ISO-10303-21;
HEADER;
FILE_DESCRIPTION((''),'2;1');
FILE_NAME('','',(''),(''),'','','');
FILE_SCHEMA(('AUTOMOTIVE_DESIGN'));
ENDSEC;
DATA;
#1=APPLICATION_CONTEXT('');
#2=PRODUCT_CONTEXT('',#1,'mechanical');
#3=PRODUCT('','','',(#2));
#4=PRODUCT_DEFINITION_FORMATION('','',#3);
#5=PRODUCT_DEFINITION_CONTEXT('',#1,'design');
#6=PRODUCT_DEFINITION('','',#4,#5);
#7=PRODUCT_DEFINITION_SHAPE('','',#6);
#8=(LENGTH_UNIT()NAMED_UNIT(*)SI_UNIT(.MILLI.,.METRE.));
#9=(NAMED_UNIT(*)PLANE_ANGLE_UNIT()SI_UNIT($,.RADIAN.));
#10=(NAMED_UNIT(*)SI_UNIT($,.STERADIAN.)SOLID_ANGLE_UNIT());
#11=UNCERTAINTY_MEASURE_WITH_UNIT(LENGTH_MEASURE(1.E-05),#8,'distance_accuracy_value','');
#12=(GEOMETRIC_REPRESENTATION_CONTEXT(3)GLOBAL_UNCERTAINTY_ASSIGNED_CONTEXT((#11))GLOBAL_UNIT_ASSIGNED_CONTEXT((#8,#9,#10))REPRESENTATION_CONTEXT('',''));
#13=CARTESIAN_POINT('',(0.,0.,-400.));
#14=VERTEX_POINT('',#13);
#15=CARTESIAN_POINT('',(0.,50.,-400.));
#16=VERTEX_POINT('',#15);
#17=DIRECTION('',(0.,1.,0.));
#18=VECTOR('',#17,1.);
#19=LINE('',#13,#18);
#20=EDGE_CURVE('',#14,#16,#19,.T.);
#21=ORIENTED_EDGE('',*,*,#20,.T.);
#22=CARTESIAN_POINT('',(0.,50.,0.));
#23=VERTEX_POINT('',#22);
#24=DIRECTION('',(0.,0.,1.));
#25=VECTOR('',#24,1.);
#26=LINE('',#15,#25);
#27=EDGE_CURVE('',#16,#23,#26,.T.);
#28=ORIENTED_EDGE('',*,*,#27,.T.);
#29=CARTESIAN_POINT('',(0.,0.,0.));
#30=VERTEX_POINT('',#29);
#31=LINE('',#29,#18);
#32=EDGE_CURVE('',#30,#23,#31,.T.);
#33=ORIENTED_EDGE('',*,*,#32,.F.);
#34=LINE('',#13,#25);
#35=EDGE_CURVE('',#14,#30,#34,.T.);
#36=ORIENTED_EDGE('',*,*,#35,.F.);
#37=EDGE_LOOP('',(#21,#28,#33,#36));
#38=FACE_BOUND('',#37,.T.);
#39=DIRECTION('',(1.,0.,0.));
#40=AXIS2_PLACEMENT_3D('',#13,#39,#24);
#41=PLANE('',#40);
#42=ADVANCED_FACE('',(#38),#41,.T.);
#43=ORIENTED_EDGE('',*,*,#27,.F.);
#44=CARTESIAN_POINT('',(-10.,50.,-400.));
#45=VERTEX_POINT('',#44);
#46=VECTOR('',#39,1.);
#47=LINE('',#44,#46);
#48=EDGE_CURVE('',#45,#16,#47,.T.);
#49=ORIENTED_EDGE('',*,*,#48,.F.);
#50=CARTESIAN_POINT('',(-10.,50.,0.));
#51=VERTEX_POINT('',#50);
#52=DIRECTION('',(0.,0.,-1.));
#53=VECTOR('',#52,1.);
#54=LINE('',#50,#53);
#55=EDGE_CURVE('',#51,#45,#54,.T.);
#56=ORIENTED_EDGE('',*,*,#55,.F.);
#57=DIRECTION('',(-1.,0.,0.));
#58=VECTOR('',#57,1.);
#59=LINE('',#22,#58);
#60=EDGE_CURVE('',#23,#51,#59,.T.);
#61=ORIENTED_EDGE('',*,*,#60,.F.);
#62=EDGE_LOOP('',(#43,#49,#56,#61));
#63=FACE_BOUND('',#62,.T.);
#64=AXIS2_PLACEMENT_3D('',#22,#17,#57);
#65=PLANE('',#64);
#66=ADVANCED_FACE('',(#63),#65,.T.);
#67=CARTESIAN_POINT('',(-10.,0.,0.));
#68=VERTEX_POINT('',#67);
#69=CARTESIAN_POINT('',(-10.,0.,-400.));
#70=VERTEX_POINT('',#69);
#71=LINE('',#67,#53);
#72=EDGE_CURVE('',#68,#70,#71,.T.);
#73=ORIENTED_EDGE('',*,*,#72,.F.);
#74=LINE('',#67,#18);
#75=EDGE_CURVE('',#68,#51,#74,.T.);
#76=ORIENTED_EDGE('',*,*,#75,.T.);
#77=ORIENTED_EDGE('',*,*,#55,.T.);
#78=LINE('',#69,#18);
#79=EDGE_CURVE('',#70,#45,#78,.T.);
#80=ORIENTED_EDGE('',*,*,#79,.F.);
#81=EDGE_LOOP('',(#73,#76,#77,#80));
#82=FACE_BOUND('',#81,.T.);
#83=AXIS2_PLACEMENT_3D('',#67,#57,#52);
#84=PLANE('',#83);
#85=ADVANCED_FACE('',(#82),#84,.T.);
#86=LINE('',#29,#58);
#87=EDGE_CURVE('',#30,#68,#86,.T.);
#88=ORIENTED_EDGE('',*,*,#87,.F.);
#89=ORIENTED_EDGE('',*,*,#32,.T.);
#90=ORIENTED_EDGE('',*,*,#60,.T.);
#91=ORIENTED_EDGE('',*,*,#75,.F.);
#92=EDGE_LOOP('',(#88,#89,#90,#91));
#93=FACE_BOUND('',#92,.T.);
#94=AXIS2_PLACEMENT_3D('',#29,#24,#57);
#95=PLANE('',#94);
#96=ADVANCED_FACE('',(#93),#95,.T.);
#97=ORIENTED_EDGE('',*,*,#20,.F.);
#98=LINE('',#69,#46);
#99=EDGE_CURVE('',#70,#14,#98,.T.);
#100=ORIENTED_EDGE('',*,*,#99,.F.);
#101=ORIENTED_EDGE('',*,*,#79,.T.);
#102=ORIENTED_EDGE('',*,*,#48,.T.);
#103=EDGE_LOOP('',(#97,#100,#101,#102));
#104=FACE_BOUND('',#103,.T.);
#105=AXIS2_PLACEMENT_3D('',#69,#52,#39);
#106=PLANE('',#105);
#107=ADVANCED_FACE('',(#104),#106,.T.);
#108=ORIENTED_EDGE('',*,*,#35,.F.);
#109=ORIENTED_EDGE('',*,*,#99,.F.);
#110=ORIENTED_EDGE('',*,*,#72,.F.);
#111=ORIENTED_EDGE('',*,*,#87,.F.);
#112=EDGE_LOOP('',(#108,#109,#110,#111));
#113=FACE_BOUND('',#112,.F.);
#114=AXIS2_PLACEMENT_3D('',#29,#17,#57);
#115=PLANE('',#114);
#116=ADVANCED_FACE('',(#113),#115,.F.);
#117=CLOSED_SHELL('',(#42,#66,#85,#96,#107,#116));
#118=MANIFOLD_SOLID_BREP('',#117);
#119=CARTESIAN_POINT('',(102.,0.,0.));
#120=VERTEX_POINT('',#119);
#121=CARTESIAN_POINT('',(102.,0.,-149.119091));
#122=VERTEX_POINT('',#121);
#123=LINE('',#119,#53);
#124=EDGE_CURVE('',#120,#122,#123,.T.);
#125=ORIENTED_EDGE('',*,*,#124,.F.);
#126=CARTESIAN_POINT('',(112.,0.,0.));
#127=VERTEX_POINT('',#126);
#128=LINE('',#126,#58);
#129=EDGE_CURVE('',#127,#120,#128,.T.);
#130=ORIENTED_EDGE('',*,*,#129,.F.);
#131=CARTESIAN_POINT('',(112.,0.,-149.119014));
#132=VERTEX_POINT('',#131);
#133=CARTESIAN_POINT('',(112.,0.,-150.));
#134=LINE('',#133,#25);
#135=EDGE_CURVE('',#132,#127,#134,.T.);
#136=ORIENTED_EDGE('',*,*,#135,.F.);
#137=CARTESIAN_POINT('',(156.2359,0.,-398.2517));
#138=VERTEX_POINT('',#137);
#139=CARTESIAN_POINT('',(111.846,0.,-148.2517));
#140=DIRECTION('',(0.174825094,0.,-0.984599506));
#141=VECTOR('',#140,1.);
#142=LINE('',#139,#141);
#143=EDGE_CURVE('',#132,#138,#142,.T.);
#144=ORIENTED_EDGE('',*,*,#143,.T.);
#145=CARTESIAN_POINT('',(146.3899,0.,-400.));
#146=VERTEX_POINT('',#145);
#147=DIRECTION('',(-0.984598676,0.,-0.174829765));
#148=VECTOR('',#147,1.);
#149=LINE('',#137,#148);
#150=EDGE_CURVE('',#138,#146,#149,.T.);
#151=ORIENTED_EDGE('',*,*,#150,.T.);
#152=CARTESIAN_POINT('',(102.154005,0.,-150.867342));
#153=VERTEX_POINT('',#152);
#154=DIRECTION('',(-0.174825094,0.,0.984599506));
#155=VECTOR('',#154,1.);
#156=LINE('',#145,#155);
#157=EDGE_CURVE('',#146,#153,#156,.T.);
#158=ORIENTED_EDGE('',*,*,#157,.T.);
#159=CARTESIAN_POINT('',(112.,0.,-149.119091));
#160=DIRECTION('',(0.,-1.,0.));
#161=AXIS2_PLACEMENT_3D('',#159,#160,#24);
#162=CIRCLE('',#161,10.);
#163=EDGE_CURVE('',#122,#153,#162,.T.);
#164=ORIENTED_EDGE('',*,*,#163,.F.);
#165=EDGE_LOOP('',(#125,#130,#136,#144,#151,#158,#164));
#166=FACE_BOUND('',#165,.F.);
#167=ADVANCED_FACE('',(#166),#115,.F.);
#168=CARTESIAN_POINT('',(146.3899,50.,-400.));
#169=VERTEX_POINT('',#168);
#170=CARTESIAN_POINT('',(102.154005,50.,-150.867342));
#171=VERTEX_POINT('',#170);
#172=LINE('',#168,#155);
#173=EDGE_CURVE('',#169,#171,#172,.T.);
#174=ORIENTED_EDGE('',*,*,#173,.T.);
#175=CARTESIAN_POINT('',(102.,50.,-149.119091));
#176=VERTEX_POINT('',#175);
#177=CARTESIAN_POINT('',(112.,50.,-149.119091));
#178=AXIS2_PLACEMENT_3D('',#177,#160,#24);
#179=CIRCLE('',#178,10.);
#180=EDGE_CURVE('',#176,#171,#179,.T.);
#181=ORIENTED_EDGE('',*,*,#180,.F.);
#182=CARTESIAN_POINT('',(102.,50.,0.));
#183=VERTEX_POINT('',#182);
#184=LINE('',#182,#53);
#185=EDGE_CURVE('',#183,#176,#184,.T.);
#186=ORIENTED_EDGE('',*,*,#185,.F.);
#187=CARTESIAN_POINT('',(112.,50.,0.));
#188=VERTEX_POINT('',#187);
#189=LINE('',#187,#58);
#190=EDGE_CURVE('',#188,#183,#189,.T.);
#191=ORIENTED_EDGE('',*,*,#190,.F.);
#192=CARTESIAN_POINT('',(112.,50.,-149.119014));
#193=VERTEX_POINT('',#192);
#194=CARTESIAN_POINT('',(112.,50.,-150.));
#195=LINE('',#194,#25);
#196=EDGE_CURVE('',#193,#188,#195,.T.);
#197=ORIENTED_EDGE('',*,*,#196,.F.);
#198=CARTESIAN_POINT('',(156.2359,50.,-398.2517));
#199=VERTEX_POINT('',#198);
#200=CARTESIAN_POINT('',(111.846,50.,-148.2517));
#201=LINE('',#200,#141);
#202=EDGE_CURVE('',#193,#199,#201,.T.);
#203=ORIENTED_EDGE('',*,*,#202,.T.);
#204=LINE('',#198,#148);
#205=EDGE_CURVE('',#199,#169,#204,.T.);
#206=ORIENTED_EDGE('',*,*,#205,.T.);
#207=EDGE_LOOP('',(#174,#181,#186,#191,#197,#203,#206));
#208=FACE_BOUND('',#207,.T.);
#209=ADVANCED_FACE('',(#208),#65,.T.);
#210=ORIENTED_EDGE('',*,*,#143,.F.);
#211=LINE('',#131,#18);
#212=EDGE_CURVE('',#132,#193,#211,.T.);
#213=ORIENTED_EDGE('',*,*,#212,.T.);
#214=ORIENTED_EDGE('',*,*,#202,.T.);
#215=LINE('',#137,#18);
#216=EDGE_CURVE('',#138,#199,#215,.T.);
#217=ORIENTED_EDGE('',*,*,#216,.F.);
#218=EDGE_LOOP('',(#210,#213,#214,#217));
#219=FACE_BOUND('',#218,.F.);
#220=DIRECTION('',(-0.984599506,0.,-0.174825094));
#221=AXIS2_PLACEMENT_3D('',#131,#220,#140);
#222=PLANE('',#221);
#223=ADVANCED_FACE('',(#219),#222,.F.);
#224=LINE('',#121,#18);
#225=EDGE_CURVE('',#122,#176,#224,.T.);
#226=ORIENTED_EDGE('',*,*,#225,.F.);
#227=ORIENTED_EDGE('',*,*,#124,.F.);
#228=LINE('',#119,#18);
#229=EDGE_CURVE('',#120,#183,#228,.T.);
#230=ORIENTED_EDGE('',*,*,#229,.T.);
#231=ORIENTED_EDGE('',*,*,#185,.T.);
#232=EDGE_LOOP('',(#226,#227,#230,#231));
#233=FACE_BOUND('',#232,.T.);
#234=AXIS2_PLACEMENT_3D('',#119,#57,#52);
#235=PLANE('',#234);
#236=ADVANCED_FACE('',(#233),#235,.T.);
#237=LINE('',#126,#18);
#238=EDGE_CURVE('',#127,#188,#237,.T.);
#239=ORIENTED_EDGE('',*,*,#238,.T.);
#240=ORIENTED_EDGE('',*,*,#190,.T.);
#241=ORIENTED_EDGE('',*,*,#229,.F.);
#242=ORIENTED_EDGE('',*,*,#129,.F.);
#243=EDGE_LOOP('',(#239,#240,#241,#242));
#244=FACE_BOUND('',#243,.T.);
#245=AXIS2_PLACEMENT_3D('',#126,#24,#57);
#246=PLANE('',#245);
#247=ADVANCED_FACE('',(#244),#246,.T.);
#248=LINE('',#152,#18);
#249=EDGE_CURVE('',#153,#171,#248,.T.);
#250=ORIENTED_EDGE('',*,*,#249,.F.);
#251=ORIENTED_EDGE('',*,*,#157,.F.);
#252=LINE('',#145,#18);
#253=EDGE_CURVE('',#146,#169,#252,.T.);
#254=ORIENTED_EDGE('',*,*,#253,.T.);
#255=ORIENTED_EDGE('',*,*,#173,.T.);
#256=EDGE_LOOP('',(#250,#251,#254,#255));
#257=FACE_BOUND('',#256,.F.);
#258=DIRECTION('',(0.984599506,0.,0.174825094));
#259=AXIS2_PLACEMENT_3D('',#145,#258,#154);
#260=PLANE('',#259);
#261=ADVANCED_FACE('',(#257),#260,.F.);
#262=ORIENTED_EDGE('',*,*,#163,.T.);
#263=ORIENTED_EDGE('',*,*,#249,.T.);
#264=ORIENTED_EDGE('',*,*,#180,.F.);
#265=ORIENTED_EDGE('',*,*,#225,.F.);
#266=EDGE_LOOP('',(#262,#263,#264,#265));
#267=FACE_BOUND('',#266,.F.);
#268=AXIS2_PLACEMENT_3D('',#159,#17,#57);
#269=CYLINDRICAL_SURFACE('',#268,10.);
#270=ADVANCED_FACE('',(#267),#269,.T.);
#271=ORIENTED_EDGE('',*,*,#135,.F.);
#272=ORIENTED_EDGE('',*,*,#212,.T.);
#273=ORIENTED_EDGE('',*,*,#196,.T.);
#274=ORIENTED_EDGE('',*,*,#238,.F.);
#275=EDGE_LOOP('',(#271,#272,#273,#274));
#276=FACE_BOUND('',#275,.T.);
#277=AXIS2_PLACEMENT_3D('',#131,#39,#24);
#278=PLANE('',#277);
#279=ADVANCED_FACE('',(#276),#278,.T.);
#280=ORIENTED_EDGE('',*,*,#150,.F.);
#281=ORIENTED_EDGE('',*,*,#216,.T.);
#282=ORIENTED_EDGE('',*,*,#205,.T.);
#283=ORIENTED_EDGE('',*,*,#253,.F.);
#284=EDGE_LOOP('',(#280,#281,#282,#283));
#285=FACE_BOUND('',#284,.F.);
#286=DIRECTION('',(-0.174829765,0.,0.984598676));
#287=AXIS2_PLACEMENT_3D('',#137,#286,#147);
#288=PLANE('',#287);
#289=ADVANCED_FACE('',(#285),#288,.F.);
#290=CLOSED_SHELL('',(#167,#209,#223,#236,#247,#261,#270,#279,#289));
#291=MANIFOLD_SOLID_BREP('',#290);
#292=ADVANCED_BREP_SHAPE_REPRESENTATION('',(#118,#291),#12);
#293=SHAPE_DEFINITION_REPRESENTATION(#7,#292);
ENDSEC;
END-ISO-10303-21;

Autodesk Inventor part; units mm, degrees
ref_plane "YZ Plane" through (0, 0, 0) normal (1, 0, 0) x (0, 1, 0)
ref_plane "XZ Plane" through (0, 0, 0) normal (0, 1, 0) x (-1, 0, 0)
ref_plane "XY Plane" through (0, 0, 0) normal (0, 0, 1) x (1, 0, 0)
sketch "草圖1" plane through (0, 0, 0) normal (0, 1, 0) x (-1, 0, 0)
  line L0 (0, 0) -> (10, 0)
  line L1 (10, 0) -> (10, -400)
  line L2 (10, -400) -> (0, -400)
  line L3 (0, -400) -> (0, 0)
  line L4 (-112, 0) -> (-102, 0)
  line L5 (-102, 0) -> (-102, -150)
  line L6 (-102, -150) -> (-112, -150)
  line L7 (-112, -150) -> (-112, 0)
  line L8 (-102, -150) -> (-111.846, -148.2517)
  line L9 (-111.846, -148.2517) -> (-156.2359, -398.2517)
  line L10 (-156.2359, -398.2517) -> (-146.3899, -400)
  line L11 (-146.3899, -400) -> (-102, -150)
  dimension "d0" = 102
  dimension "d1" = 10
  dimension "d2" = 10
  dimension "d3" = 10
  dimension "d4" = 150
  dimension "d5" = 400
  dimension "d6" = 250
extrude "擠出1" add sketch "草圖1" along normal blind 50
fillet "圓角1" radius 10 1 edges at (102, 25, -150)
properties part number "導軌"
